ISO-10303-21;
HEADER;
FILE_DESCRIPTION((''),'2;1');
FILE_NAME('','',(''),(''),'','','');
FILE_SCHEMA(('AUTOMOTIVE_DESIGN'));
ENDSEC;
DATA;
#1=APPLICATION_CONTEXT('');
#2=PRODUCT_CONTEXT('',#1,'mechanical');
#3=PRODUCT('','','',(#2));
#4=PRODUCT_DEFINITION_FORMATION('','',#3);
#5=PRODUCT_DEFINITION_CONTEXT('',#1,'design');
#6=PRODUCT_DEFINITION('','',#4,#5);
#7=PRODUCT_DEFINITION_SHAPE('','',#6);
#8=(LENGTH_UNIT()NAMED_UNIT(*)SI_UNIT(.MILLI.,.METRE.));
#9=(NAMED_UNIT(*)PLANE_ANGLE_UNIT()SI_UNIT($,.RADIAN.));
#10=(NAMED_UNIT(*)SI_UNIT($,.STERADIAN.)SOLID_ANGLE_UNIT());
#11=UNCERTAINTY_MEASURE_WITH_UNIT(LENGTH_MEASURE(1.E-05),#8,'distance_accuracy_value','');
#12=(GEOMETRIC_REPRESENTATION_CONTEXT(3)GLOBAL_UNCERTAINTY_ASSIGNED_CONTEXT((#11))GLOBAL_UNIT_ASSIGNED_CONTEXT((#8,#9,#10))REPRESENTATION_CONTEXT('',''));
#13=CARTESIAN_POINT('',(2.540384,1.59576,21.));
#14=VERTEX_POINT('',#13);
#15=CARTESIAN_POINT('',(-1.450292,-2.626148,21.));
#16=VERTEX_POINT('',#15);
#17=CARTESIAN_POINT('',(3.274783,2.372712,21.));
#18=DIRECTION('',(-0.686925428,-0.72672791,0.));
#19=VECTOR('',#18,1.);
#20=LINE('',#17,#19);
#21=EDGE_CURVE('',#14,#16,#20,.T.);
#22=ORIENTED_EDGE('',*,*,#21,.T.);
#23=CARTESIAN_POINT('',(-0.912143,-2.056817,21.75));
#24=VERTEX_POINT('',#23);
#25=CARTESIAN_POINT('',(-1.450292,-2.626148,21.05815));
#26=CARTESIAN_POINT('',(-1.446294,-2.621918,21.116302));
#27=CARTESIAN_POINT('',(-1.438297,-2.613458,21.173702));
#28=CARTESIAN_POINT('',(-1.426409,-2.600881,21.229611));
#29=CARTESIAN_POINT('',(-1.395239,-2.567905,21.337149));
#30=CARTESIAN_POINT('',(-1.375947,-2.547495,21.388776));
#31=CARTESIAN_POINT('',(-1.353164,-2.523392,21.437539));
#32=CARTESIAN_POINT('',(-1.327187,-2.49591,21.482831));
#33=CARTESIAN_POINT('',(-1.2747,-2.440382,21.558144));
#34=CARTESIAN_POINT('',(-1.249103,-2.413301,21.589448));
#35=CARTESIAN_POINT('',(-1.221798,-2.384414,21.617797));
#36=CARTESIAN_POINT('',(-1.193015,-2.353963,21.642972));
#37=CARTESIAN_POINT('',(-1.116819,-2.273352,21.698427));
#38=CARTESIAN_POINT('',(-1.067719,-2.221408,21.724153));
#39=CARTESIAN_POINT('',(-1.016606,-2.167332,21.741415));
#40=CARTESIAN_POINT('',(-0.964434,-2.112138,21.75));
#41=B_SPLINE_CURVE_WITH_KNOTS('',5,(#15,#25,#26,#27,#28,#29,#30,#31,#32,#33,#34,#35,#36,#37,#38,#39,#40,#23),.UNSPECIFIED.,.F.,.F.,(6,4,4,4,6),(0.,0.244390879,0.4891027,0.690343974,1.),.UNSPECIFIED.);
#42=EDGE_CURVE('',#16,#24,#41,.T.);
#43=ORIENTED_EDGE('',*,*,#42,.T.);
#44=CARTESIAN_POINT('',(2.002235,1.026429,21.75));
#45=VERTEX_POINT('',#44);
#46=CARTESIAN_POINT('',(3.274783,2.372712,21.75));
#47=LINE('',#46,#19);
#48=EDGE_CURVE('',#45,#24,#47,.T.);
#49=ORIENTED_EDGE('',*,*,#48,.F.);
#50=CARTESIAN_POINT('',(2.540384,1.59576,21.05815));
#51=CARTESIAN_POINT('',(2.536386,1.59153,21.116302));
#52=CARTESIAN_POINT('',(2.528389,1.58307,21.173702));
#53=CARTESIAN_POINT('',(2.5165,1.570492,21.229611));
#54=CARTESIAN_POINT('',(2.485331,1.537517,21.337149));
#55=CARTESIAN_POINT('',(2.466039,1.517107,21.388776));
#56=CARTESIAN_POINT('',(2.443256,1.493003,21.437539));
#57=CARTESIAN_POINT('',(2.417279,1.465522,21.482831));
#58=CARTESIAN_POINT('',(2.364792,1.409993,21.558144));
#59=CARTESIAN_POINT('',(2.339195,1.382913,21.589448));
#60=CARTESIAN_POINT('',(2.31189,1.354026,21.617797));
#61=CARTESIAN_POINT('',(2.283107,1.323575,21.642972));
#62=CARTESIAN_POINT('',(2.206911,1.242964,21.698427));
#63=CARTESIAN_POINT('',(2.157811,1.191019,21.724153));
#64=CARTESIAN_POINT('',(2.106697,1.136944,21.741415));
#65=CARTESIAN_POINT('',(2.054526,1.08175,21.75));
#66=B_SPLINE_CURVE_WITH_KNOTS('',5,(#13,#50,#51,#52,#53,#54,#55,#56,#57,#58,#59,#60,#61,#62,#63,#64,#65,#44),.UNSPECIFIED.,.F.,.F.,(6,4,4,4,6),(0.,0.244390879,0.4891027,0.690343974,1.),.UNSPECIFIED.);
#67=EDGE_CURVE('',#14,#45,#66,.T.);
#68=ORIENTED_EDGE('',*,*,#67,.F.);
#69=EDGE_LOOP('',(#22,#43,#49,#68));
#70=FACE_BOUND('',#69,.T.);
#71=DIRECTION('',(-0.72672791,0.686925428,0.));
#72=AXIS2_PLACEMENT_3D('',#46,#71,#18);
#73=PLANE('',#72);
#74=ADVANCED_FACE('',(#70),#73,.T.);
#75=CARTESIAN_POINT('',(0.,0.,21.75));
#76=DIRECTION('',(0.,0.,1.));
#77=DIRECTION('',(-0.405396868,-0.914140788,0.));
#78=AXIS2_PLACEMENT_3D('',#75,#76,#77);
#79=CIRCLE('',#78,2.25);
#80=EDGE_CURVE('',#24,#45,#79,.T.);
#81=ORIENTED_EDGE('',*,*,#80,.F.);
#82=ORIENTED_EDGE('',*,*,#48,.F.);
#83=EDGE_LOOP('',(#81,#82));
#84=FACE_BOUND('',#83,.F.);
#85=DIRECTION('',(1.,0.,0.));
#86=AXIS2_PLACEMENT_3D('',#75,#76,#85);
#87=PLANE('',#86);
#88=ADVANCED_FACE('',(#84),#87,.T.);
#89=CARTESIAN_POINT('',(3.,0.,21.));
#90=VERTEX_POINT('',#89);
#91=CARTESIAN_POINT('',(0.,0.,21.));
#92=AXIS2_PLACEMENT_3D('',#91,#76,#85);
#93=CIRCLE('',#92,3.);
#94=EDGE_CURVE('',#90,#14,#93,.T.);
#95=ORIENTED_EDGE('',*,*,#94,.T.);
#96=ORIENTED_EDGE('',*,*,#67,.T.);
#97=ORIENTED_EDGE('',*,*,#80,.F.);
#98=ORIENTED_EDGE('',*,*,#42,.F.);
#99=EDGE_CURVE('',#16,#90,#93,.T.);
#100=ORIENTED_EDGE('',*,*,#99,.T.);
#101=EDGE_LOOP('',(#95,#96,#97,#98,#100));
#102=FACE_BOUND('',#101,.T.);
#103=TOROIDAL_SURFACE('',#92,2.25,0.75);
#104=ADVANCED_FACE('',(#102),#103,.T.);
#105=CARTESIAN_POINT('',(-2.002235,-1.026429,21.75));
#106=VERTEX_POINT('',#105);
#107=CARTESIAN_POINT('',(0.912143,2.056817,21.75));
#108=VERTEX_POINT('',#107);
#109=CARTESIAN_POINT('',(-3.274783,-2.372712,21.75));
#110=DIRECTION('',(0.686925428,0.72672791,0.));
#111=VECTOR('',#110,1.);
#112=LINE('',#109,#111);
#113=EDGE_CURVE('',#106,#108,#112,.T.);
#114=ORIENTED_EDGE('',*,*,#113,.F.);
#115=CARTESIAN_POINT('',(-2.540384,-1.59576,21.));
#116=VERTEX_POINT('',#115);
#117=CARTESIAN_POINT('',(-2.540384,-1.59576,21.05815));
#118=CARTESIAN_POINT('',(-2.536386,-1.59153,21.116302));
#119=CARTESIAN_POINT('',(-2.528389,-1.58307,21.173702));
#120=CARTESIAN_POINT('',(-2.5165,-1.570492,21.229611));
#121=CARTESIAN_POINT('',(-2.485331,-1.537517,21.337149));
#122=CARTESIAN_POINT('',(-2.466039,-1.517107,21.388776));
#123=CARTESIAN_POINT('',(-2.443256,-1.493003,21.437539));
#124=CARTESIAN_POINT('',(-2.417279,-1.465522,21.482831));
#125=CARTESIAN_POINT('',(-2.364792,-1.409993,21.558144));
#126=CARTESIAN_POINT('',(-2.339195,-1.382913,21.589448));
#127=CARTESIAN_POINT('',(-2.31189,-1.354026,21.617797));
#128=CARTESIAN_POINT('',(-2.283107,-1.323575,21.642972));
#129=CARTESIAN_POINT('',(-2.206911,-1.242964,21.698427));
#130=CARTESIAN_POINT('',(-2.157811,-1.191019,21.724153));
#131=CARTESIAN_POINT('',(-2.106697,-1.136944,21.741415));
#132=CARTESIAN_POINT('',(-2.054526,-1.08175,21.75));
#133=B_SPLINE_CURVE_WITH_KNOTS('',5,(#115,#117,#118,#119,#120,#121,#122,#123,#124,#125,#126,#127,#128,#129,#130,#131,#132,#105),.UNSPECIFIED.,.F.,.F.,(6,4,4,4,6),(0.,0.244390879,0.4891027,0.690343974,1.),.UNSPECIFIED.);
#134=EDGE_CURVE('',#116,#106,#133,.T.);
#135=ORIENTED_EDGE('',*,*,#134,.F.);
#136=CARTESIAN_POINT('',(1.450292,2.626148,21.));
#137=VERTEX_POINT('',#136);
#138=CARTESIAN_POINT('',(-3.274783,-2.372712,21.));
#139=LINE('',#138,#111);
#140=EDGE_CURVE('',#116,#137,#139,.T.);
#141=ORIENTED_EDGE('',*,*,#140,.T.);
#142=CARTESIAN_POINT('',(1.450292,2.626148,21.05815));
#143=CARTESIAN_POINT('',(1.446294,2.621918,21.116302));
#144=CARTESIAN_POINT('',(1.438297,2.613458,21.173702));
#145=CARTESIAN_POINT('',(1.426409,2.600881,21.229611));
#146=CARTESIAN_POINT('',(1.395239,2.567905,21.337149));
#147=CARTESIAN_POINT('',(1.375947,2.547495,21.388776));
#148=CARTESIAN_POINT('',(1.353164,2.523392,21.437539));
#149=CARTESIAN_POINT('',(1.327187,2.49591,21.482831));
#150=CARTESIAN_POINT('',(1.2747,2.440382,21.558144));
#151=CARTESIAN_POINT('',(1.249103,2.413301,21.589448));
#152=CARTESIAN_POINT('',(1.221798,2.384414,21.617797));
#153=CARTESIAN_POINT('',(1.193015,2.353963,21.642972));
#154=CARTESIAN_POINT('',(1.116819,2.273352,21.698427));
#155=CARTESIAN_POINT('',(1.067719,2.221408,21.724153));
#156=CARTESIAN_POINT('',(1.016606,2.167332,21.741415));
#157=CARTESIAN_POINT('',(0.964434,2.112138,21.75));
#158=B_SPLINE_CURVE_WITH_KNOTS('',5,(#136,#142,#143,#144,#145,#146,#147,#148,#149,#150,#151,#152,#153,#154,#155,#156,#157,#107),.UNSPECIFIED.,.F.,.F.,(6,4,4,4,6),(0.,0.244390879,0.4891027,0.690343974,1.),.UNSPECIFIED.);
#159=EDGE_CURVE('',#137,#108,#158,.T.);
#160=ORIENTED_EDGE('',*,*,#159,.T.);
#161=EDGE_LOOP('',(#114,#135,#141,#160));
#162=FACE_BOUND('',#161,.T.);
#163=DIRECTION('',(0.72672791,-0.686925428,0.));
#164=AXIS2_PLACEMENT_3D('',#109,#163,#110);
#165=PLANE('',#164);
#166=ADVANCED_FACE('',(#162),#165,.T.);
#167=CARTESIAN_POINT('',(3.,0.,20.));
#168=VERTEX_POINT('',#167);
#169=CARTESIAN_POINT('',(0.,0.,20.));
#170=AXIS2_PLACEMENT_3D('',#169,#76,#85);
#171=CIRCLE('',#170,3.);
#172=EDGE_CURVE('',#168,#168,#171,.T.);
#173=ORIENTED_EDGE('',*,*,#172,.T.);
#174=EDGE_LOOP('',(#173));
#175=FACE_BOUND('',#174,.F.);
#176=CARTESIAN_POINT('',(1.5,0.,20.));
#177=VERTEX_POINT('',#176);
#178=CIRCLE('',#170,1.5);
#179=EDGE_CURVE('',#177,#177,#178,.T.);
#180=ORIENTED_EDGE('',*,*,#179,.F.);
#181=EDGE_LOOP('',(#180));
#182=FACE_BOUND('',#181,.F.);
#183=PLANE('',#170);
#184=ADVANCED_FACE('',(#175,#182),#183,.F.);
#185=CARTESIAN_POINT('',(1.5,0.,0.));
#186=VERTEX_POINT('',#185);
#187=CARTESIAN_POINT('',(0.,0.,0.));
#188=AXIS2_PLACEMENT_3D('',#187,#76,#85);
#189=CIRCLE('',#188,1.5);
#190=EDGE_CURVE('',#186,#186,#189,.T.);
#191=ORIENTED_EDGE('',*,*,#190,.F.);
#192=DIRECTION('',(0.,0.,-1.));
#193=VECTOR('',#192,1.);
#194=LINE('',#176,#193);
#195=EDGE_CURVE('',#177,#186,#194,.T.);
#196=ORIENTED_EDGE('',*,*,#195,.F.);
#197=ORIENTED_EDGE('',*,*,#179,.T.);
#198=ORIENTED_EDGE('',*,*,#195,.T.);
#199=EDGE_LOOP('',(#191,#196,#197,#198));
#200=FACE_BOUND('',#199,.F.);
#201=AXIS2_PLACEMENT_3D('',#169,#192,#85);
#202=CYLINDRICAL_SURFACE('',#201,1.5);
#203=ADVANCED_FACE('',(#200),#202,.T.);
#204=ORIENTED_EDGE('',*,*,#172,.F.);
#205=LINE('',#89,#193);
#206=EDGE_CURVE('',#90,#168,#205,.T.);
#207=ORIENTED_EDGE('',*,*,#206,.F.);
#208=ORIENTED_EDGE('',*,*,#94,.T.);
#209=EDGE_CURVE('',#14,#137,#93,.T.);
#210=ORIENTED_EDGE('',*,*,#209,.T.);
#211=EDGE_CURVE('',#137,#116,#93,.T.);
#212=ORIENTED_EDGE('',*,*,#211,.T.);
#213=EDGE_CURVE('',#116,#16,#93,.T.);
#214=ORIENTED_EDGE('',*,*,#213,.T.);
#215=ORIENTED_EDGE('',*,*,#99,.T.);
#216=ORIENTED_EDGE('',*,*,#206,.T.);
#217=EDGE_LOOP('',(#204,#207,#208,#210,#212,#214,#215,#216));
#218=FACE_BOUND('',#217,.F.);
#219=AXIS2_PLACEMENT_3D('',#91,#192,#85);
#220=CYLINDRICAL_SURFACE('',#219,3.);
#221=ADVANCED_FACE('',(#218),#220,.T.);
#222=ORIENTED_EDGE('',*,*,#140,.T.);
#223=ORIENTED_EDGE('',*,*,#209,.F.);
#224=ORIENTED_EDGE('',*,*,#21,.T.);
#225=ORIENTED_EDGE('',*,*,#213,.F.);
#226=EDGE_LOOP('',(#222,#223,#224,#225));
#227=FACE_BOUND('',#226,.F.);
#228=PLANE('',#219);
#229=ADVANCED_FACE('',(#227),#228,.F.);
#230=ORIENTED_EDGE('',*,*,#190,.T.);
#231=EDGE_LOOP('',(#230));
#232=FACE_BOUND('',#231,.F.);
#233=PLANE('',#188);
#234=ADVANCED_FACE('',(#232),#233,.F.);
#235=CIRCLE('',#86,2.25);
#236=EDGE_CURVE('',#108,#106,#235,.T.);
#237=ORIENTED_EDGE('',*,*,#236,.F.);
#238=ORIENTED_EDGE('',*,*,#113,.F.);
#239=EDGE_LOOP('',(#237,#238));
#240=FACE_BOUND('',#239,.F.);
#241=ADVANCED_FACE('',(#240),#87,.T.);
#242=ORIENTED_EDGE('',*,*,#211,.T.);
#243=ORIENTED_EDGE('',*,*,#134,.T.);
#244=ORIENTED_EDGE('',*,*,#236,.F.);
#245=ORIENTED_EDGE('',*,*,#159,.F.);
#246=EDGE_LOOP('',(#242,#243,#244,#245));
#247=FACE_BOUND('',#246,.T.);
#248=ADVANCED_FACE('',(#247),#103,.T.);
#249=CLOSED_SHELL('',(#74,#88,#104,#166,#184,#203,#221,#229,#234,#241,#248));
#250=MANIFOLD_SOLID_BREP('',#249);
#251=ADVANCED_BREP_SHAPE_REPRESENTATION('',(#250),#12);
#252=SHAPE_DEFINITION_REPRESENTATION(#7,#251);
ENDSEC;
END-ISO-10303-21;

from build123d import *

# Parameters (mm, degrees)
POCKET_DEPTH = 0.75


with BuildPart() as part:
    # Sketch → Revolution (revolve)
    with BuildSketch(Plane.XZ):
        with BuildLine():
            Line((0, 0), (0, 21.75))
            Line((0, 21.75), (2.25, 21.75))
            ThreePointArc((3, 21), (2.78033, 21.53033), (2.25, 21.75))
            Line((3, 21), (3, 20))
            Line((3, 20), (1.5, 20))
            Line((1.5, 20), (1.5, 0))
            Line((1.5, 0), (0, 0))
        make_face()
    revolve(axis=Axis((0, 0, 0), (0, 0, 1)))

    # Sketch001 (on Face5 of Revolution) → Pocket (cut)
    with BuildSketch(Plane(origin=(0, 0, 21.75), x_dir=(-1, 0, 0), z_dir=(0, 0, 1))):
        Polygon((-3.274783, -2.372712), (2.184691, 3.4031), (3.274783, 2.372712), (-2.184691, -3.4031), align=None)
    extrude(amount=-POCKET_DEPTH, mode=Mode.SUBTRACT)


solid = part.part
